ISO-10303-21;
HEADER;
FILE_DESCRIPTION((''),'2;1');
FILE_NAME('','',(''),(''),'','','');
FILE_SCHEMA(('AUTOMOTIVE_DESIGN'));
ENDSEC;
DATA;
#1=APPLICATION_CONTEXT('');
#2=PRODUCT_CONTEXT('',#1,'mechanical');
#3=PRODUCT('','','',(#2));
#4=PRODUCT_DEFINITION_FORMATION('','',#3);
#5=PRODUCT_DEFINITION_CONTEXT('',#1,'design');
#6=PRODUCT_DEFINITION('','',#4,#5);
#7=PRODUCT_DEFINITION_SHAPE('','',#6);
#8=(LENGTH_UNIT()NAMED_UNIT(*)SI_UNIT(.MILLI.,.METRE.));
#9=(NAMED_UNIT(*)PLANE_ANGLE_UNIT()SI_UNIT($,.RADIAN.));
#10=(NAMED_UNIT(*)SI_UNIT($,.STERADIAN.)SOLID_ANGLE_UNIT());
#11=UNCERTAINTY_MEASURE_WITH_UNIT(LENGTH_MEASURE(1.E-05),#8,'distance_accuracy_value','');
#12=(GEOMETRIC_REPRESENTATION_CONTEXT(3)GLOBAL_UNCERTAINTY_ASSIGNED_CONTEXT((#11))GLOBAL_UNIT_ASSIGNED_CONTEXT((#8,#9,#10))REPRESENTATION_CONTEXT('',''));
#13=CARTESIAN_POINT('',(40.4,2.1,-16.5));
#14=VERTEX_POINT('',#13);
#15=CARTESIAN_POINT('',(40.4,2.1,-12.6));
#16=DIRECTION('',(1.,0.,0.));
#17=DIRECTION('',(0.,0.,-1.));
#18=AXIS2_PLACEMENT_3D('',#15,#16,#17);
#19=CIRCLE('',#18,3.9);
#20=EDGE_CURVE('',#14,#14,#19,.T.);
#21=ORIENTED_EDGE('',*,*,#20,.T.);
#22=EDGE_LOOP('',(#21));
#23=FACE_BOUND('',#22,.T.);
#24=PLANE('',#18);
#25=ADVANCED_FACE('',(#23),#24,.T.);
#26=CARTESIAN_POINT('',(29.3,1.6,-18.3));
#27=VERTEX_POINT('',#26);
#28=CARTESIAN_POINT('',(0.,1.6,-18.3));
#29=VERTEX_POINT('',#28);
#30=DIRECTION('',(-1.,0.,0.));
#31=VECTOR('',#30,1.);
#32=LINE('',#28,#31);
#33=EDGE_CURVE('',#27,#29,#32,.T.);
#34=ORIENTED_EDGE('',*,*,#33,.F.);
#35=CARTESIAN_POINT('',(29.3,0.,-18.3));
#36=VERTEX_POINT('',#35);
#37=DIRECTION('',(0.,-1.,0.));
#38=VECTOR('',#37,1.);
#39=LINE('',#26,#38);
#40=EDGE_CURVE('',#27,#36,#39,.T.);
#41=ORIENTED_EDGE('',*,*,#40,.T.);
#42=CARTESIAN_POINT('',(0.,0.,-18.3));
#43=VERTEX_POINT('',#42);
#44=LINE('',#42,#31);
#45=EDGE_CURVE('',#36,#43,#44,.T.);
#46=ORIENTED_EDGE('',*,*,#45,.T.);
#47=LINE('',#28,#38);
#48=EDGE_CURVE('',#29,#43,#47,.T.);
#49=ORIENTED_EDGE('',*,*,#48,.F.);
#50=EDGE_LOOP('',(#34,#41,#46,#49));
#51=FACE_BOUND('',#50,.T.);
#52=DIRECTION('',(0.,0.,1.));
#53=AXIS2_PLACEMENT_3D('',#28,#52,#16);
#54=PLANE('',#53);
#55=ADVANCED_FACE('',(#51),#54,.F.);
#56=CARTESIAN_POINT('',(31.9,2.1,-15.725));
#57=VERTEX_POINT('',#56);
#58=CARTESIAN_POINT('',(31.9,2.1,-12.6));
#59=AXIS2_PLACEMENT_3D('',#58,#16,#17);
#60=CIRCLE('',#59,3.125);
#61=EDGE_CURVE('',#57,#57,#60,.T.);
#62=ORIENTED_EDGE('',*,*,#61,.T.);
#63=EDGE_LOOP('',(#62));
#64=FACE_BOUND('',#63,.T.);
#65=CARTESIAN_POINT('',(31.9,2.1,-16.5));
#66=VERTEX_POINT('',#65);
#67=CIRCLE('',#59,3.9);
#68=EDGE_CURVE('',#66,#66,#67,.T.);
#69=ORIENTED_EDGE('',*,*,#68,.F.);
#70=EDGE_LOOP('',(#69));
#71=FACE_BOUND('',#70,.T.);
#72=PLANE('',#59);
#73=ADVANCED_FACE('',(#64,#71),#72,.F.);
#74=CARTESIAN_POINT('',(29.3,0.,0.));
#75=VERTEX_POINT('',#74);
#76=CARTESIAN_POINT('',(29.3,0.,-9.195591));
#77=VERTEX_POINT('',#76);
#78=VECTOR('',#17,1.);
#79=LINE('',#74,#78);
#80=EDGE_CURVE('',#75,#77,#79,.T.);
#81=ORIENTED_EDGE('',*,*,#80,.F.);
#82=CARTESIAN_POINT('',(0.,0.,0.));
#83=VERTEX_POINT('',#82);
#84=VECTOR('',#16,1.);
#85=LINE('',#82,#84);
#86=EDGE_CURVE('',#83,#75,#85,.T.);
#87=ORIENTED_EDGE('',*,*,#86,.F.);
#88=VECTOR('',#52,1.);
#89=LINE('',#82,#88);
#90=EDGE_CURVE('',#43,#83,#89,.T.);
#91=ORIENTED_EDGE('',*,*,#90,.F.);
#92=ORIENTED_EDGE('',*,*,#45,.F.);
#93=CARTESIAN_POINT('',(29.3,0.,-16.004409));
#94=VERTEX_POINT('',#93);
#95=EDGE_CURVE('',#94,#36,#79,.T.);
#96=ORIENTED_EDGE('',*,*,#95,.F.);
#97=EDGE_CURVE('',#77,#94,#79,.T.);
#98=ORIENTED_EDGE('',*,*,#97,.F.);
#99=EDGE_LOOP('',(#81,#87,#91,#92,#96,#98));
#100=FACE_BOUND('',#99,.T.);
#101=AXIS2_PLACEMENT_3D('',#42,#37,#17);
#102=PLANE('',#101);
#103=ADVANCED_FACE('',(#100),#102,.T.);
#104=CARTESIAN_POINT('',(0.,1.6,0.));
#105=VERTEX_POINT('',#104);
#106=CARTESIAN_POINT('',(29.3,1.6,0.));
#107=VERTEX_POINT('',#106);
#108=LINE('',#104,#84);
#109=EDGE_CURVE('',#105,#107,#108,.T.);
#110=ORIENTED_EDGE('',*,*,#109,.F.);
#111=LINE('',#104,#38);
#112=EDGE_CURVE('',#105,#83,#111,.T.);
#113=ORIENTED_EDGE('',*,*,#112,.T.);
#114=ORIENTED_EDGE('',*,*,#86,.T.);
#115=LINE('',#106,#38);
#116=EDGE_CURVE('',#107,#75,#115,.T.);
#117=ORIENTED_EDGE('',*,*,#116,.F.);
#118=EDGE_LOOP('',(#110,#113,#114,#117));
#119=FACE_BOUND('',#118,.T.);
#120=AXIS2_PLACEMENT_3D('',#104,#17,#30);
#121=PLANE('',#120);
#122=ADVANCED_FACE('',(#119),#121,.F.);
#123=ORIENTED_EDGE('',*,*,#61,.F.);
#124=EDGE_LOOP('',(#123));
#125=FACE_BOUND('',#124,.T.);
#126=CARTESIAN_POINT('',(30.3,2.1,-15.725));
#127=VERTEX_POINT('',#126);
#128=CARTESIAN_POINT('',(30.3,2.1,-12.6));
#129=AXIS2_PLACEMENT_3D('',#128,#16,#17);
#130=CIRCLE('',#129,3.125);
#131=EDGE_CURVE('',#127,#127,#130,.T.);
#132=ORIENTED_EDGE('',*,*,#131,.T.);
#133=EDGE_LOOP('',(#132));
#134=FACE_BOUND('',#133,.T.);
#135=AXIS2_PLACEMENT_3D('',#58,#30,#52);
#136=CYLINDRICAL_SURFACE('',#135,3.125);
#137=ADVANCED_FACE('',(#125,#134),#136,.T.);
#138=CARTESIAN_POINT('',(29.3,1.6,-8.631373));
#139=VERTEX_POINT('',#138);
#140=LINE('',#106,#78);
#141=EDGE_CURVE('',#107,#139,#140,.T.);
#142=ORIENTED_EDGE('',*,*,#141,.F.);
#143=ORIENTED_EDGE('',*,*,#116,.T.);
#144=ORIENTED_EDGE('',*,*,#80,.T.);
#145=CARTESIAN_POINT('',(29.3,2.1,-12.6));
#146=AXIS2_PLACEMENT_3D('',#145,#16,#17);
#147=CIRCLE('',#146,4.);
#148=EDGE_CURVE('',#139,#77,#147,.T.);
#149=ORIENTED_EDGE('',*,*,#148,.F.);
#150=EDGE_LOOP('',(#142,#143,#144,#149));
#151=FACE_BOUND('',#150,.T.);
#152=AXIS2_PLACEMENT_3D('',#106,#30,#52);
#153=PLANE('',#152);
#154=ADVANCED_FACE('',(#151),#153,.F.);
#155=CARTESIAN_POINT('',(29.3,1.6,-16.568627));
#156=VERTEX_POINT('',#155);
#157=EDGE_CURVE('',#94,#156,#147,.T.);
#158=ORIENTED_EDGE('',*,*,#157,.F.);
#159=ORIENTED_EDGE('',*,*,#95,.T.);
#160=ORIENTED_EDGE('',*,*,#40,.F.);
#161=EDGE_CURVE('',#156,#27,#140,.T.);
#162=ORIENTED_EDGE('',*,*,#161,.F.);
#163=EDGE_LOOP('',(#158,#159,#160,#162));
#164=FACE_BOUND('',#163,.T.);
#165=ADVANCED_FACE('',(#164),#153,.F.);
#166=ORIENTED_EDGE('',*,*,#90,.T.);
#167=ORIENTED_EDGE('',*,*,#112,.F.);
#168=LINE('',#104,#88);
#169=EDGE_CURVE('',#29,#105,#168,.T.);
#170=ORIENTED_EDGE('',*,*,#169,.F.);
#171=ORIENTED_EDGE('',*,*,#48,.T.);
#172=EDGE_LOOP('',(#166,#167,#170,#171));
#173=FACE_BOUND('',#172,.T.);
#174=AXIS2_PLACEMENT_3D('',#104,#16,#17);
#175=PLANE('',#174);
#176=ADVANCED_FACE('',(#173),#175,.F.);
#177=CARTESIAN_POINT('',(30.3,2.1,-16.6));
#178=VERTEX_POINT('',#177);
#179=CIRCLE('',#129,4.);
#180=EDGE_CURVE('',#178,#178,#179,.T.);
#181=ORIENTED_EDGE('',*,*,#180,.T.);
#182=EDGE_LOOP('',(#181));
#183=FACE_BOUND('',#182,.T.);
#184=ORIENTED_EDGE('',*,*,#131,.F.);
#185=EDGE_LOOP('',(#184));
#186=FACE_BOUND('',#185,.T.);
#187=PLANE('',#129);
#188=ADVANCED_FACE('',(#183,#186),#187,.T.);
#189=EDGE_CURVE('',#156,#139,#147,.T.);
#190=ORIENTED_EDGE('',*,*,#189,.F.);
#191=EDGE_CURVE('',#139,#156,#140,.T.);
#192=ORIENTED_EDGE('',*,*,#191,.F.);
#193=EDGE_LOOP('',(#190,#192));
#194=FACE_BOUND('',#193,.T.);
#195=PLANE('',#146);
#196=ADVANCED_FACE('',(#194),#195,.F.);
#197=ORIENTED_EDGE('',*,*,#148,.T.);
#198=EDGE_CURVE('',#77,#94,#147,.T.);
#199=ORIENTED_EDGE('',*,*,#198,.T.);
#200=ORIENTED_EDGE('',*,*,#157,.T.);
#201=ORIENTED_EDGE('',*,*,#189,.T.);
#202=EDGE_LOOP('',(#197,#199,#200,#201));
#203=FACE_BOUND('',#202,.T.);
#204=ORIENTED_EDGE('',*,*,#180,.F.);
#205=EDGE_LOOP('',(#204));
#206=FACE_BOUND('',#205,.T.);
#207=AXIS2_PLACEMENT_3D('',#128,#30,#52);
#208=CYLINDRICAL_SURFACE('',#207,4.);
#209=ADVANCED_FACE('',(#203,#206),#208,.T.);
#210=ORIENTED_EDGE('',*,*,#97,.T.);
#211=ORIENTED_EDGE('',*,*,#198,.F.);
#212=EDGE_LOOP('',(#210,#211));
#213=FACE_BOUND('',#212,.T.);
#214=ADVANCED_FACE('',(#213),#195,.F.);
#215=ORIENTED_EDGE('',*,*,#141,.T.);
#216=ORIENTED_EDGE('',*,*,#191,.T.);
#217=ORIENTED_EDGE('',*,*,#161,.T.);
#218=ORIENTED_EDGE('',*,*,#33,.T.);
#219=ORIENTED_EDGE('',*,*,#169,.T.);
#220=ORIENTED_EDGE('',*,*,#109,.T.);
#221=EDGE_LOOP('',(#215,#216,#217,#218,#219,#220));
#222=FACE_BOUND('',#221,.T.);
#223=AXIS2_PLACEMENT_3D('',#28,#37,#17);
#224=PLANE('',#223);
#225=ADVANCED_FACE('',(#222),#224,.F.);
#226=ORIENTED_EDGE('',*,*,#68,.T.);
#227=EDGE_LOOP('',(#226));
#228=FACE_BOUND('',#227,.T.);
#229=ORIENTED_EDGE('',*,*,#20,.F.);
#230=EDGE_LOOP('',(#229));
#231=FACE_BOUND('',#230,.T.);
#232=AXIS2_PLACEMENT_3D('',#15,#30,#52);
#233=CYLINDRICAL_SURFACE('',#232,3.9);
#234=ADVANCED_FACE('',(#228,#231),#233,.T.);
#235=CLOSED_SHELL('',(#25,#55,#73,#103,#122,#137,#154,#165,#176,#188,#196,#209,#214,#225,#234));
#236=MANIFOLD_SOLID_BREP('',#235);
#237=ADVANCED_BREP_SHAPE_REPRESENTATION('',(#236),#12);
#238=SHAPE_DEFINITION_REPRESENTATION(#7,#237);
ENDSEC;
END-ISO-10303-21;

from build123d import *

# Parameters (mm, degrees)
SKETCH2_W           = 29.3
SKETCH2_H           = 18.3
BOSS_EXTRUDE1_DEPTH = 1.6
SKETCH3_R           = 4
BOSS_EXTRUDE2_DEPTH = 1
SKETCH4_R           = 3.125
BOSS_EXTRUDE3_DEPTH = 1.6
SKETCH5_R           = 3.9
BOSS_EXTRUDE4_DEPTH = 8.5


with BuildPart() as part:
    # Sketch2 → Boss-Extrude1 (new body)
    with BuildSketch(Plane(origin=(0, 0, 0), x_dir=(1, 0, 0), z_dir=(0, 1, 0))):
        with Locations((14.65, 9.15)):
            Rectangle(SKETCH2_W, SKETCH2_H)
    extrude(amount=BOSS_EXTRUDE1_DEPTH)

    # Sketch3 → Boss-Extrude2 (add)
    with BuildSketch(Plane(origin=(29.3, 0, 0), x_dir=(0, 0, -1), z_dir=(1, 0, 0))):
        with Locations((12.6, 2.1)):
            Circle(SKETCH3_R)
    extrude(amount=BOSS_EXTRUDE2_DEPTH)

    # Sketch4 → Boss-Extrude3 (add)
    with BuildSketch(Plane(origin=(30.3, 0, 0), x_dir=(0, 0, -1), z_dir=(1, 0, 0))):
        with Locations((12.6, 2.1)):
            Circle(SKETCH4_R)
    extrude(amount=BOSS_EXTRUDE3_DEPTH)

    # Sketch5 → Boss-Extrude4 (add)
    with BuildSketch(Plane(origin=(31.9, 0, 0), x_dir=(0, 0, -1), z_dir=(1, 0, 0))):
        with Locations((12.6, 2.1)):
            Circle(SKETCH5_R)
    extrude(amount=BOSS_EXTRUDE4_DEPTH)


solid = part.part
